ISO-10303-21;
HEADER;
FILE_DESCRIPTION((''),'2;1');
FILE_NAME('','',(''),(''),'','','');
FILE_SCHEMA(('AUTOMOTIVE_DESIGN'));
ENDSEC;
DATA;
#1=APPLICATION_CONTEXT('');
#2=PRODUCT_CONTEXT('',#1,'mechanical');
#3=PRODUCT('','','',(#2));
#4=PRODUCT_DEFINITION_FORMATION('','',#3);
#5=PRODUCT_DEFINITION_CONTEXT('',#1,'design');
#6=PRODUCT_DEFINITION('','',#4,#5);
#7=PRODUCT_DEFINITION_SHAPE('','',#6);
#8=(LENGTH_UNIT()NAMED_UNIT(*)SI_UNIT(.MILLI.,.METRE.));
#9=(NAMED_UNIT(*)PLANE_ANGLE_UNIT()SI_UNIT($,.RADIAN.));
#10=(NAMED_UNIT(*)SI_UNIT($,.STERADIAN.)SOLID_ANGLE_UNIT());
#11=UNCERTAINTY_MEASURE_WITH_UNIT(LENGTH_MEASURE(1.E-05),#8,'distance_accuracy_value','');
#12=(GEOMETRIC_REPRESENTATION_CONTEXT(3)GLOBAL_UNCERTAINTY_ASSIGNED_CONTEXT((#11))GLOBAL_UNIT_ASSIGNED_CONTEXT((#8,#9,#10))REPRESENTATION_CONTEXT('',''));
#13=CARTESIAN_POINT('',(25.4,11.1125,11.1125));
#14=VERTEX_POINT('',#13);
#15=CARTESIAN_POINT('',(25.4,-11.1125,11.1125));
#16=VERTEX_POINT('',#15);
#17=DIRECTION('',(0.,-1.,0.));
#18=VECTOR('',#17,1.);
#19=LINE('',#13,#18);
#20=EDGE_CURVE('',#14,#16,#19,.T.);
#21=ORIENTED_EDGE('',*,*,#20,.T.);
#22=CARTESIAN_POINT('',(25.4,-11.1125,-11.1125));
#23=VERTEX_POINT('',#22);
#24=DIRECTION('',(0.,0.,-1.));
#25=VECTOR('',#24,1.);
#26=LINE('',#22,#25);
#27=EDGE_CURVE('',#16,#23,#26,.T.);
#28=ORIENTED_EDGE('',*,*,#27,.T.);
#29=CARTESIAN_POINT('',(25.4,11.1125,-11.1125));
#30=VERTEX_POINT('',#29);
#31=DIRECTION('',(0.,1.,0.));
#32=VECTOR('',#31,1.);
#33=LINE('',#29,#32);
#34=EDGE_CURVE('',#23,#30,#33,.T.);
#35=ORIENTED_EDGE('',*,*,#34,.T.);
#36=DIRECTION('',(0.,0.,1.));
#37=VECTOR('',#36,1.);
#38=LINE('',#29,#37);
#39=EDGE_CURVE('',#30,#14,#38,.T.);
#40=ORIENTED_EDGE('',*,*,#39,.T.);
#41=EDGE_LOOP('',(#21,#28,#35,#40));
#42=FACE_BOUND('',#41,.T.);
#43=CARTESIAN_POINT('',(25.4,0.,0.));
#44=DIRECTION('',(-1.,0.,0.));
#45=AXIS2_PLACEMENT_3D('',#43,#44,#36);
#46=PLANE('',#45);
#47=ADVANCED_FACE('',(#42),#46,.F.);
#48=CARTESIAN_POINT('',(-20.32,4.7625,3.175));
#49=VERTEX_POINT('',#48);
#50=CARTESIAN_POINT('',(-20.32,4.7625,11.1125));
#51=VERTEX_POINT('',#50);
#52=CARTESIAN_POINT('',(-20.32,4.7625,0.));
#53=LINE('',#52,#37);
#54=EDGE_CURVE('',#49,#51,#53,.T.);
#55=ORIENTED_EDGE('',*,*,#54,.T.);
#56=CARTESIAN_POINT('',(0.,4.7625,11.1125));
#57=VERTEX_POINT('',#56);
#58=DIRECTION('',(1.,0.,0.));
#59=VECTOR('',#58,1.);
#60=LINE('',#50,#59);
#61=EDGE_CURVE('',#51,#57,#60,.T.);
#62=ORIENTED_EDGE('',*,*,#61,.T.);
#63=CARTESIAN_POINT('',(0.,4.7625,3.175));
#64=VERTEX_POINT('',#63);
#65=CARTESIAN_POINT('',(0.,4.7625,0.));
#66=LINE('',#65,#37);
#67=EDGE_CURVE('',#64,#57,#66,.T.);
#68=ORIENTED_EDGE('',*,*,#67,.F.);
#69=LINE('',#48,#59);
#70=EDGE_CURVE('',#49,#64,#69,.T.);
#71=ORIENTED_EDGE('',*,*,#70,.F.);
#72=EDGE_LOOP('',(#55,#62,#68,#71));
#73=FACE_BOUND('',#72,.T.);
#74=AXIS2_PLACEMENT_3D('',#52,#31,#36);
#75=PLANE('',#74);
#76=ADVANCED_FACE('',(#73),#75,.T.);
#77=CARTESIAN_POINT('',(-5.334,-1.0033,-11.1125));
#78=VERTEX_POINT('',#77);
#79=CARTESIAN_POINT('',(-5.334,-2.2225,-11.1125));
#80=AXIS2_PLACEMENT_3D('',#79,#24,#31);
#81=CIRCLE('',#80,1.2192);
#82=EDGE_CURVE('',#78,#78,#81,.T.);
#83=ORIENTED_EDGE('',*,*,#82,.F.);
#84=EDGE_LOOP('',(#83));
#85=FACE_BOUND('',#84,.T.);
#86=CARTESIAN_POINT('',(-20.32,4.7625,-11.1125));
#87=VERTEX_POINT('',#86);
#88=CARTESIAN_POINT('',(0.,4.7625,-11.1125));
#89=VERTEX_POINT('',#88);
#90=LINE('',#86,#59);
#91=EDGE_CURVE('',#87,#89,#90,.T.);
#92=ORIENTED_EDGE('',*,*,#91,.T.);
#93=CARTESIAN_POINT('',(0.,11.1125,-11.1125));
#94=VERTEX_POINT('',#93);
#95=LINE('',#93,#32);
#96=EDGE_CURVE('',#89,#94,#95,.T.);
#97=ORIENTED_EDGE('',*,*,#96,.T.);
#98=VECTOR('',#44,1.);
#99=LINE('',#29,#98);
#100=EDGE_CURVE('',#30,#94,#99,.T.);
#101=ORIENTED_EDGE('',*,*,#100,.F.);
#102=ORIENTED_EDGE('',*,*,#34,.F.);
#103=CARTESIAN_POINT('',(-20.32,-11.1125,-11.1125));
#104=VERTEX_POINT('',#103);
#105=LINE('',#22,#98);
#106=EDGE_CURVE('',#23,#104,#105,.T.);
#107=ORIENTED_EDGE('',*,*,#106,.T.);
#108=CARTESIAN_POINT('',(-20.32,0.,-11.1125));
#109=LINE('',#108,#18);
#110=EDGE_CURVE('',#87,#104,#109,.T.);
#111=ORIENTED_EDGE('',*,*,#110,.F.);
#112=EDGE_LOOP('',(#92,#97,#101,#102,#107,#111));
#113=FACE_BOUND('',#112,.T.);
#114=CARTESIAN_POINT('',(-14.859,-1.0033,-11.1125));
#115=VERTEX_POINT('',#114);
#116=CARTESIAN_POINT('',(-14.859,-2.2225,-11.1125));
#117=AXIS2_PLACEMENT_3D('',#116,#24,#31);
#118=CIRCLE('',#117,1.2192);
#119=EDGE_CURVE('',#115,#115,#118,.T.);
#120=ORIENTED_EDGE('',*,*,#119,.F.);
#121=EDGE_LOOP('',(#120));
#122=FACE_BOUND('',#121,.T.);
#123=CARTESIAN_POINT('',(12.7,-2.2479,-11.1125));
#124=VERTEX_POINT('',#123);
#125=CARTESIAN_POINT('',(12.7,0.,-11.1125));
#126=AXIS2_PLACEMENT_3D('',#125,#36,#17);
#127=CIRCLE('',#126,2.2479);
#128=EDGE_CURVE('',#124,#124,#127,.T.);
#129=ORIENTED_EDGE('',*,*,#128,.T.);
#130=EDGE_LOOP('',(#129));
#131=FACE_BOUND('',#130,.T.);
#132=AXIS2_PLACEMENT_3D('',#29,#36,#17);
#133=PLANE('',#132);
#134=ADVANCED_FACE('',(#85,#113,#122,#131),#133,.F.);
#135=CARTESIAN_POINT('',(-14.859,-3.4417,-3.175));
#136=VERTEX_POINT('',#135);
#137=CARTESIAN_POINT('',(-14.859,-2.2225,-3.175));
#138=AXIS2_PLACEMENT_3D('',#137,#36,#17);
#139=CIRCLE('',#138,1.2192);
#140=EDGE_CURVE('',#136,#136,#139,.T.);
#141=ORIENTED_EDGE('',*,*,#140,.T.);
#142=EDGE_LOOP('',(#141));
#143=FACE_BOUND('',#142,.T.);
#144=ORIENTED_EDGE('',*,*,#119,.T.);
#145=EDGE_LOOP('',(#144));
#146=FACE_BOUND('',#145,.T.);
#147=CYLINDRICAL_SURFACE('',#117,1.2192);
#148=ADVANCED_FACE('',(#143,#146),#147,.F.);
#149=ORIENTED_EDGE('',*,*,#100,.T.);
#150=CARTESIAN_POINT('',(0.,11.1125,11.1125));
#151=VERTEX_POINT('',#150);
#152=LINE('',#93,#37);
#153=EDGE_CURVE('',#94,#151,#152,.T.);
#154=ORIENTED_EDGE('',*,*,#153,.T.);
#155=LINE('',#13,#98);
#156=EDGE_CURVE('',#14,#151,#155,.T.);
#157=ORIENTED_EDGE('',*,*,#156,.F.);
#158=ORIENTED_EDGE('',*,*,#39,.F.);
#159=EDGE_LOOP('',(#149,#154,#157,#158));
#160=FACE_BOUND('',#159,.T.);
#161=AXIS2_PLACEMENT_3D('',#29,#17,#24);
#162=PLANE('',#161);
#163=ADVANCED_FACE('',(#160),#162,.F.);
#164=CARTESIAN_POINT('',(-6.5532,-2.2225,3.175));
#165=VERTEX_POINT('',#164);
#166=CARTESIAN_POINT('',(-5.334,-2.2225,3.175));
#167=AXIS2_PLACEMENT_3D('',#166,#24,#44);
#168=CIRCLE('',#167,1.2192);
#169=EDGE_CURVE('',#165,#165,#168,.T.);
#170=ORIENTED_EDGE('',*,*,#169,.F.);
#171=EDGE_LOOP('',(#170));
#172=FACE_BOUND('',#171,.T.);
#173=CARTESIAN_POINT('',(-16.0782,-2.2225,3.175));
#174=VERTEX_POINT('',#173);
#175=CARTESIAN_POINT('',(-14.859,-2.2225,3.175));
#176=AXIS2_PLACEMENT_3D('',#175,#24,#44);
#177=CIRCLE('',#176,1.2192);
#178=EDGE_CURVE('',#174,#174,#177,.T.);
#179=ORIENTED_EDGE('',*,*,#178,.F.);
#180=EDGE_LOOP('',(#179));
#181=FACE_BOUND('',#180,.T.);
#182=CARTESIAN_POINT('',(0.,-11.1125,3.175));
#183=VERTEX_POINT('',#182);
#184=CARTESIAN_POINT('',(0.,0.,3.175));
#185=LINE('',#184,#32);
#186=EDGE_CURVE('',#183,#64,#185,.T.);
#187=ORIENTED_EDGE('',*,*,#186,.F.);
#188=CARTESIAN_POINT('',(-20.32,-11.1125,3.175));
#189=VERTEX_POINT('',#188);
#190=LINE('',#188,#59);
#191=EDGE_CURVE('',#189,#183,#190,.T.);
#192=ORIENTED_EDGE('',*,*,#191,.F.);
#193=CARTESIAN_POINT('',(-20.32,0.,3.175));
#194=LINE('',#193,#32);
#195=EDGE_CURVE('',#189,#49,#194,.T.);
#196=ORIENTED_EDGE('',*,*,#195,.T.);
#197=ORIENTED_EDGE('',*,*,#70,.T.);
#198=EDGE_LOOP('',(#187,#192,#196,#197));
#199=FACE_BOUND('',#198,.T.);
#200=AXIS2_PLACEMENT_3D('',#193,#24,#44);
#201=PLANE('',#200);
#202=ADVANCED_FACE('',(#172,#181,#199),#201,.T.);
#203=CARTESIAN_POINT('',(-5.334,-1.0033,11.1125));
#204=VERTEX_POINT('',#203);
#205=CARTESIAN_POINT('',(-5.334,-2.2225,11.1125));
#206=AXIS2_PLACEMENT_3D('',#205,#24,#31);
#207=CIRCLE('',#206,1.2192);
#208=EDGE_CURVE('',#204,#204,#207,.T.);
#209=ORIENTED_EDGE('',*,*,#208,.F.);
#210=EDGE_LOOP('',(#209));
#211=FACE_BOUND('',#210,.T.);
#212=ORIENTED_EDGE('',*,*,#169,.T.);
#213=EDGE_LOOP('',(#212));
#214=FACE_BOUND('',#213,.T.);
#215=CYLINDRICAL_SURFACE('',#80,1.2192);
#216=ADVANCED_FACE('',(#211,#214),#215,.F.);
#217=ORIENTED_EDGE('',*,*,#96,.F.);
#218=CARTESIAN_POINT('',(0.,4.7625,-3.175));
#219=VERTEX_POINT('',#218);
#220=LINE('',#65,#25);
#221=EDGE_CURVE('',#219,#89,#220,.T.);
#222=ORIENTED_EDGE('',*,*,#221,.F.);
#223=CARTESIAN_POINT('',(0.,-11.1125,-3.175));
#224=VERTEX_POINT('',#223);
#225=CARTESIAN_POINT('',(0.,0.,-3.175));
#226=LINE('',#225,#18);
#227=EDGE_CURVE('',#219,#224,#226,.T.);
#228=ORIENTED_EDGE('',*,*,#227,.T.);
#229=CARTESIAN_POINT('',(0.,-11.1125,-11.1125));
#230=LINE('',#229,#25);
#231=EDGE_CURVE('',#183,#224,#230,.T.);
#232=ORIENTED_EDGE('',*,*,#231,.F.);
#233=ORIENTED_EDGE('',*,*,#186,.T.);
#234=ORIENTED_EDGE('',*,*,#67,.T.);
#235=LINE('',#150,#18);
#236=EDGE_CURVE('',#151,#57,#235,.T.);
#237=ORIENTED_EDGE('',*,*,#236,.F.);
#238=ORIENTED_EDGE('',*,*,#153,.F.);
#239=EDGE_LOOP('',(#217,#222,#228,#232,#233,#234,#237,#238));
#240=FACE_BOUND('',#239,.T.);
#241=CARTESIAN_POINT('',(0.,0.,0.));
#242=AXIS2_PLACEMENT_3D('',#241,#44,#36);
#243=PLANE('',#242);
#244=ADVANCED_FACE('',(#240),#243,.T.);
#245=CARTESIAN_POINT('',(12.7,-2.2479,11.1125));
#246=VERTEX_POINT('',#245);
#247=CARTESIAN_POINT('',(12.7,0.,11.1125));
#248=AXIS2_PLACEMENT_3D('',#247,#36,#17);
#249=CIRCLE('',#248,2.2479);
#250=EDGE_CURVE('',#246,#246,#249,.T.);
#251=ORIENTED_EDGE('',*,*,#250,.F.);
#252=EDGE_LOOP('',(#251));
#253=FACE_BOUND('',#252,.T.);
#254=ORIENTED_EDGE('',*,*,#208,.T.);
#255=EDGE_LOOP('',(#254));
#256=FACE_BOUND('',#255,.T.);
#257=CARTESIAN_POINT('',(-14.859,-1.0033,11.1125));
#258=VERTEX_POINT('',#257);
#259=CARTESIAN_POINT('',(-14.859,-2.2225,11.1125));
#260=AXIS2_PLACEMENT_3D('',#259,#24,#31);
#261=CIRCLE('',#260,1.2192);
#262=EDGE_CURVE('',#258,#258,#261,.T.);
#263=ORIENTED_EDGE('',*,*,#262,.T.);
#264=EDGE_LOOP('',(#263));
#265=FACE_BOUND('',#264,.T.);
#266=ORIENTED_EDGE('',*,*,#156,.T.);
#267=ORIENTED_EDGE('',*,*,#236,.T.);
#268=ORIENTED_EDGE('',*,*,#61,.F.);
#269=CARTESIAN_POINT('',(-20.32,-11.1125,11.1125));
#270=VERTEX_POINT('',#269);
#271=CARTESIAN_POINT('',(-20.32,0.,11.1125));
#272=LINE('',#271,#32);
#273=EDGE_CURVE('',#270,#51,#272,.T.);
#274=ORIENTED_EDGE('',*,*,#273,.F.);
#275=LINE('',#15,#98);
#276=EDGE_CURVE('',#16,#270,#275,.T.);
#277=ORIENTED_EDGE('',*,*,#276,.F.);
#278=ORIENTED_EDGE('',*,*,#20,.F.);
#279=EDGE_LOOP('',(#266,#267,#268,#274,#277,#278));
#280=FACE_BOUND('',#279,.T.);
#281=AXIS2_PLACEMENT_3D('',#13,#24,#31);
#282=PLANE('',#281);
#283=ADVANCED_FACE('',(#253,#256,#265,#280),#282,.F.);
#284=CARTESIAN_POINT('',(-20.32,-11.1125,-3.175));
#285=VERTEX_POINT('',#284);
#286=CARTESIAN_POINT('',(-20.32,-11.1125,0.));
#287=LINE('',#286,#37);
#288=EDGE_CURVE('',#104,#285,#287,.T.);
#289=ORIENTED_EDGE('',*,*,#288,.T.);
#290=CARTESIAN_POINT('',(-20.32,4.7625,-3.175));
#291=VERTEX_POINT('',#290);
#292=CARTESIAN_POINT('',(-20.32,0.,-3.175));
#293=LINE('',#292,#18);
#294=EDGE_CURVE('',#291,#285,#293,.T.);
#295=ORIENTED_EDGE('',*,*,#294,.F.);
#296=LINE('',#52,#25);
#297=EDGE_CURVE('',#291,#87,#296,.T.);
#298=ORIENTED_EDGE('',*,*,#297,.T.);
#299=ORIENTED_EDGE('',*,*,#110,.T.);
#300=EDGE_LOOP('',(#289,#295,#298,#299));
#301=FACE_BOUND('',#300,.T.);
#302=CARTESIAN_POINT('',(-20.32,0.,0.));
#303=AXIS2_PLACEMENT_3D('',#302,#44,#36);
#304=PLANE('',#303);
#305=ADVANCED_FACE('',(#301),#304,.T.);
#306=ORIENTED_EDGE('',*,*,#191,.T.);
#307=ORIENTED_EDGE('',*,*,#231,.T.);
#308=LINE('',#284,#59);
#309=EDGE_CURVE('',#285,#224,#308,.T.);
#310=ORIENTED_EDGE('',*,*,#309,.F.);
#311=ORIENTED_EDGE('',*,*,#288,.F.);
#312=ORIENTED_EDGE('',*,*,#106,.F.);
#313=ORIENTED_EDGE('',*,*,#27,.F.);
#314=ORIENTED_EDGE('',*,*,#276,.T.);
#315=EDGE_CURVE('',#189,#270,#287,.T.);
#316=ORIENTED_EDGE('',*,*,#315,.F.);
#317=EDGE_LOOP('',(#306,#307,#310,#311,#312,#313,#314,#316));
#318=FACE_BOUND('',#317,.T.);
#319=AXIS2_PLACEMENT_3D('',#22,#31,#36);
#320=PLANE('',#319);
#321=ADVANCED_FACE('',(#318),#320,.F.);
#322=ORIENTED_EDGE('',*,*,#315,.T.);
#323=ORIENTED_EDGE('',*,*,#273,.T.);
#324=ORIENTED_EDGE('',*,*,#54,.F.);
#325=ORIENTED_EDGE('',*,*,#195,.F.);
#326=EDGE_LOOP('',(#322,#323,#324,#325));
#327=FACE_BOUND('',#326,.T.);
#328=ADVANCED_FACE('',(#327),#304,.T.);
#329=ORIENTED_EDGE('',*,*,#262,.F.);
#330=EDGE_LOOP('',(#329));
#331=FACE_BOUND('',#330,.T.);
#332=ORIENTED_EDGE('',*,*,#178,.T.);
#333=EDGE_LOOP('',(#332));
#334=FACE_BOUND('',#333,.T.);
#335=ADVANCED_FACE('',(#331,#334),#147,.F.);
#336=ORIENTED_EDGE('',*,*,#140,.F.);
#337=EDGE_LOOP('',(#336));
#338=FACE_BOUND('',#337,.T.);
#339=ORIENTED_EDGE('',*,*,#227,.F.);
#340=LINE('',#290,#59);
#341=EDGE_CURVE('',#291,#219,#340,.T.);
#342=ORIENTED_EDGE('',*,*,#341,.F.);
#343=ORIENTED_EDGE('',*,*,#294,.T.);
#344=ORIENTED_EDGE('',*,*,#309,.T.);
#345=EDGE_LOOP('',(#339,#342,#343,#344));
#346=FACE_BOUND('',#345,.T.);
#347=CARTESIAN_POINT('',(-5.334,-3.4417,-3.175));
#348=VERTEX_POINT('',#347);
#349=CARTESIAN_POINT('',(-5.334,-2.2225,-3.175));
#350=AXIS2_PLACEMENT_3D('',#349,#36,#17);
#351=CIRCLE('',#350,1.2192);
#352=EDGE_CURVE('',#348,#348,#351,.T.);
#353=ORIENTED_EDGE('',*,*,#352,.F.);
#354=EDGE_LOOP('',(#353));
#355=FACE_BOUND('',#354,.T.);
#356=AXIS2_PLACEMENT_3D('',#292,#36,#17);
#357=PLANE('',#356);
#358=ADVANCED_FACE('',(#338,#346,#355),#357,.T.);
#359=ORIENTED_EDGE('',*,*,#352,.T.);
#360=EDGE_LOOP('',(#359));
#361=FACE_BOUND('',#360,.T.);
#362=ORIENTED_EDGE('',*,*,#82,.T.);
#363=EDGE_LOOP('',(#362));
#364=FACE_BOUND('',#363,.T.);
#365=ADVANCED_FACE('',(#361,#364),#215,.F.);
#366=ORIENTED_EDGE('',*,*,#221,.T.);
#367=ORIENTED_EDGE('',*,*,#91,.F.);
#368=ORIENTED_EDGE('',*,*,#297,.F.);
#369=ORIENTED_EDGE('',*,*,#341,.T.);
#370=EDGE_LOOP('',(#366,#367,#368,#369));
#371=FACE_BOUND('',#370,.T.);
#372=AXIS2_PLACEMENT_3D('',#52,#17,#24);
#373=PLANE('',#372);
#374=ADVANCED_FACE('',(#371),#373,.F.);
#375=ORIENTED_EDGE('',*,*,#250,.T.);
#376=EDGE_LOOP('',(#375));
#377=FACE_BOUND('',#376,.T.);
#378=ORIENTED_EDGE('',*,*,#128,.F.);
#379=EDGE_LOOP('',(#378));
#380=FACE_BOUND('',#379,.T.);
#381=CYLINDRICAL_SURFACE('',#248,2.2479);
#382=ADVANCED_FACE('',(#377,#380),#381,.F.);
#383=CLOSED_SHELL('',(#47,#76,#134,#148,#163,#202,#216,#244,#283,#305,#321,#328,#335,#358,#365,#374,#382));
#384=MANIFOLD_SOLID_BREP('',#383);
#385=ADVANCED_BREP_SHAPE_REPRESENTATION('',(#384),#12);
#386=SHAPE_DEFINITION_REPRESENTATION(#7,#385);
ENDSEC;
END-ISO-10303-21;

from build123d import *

# Parameters (mm, degrees)
SKETCH1_W             = 22.225
SKETCH1_H             = 22.225
BOSS_EXTRUDE1_DEPTH   = 25.4
F_8_CLEARANCE_HOLE1_D = 4.4958
BOSS_EXTRUDE2_DEPTH   = 20.32
F_2_CLEARANCE_HOLE1_D = 2.4384


with BuildPart() as part:
    # Sketch1 → Boss-Extrude1 (new body)
    with BuildSketch(Plane(origin=(0, 0, 0), x_dir=(0, 0, -1), z_dir=(1, 0, 0))):
        Rectangle(SKETCH1_W, SKETCH1_H)
    extrude(amount=BOSS_EXTRUDE1_DEPTH)

    # #8 Clearance Hole1 (through all)
    with Locations(Plane(origin=(12.7, 0, 11.1125), x_dir=(0, 1, 0), z_dir=(0, 0, 1))):
        with Locations((0, 0)):
            Hole(F_8_CLEARANCE_HOLE1_D / 2)

    # Sketch3 → Boss-Extrude2 (add)
    with BuildSketch(Plane.ZY):
        Polygon((-3.175, -11.1125), (-3.175, -4.7625), (-3.175, 4.7625), (-11.1125, 4.7625), (-11.1125, -11.1125), align=None)
        Polygon((3.175, 4.7625), (3.175, -4.7625), (3.175, -11.1125), (11.1125, -11.1125), (11.1125, 4.7625), align=None)
    extrude(amount=BOSS_EXTRUDE2_DEPTH)

    # #2 Clearance Hole1 (through all)
    with Locations(Plane(origin=(0, 0, -11.1125), x_dir=(-1, 0, 0), z_dir=(0, 0, -1))):
        with Locations((5.334, -2.2225), (14.859, -2.2225)):
            Hole(F_2_CLEARANCE_HOLE1_D / 2)


solid = part.part
